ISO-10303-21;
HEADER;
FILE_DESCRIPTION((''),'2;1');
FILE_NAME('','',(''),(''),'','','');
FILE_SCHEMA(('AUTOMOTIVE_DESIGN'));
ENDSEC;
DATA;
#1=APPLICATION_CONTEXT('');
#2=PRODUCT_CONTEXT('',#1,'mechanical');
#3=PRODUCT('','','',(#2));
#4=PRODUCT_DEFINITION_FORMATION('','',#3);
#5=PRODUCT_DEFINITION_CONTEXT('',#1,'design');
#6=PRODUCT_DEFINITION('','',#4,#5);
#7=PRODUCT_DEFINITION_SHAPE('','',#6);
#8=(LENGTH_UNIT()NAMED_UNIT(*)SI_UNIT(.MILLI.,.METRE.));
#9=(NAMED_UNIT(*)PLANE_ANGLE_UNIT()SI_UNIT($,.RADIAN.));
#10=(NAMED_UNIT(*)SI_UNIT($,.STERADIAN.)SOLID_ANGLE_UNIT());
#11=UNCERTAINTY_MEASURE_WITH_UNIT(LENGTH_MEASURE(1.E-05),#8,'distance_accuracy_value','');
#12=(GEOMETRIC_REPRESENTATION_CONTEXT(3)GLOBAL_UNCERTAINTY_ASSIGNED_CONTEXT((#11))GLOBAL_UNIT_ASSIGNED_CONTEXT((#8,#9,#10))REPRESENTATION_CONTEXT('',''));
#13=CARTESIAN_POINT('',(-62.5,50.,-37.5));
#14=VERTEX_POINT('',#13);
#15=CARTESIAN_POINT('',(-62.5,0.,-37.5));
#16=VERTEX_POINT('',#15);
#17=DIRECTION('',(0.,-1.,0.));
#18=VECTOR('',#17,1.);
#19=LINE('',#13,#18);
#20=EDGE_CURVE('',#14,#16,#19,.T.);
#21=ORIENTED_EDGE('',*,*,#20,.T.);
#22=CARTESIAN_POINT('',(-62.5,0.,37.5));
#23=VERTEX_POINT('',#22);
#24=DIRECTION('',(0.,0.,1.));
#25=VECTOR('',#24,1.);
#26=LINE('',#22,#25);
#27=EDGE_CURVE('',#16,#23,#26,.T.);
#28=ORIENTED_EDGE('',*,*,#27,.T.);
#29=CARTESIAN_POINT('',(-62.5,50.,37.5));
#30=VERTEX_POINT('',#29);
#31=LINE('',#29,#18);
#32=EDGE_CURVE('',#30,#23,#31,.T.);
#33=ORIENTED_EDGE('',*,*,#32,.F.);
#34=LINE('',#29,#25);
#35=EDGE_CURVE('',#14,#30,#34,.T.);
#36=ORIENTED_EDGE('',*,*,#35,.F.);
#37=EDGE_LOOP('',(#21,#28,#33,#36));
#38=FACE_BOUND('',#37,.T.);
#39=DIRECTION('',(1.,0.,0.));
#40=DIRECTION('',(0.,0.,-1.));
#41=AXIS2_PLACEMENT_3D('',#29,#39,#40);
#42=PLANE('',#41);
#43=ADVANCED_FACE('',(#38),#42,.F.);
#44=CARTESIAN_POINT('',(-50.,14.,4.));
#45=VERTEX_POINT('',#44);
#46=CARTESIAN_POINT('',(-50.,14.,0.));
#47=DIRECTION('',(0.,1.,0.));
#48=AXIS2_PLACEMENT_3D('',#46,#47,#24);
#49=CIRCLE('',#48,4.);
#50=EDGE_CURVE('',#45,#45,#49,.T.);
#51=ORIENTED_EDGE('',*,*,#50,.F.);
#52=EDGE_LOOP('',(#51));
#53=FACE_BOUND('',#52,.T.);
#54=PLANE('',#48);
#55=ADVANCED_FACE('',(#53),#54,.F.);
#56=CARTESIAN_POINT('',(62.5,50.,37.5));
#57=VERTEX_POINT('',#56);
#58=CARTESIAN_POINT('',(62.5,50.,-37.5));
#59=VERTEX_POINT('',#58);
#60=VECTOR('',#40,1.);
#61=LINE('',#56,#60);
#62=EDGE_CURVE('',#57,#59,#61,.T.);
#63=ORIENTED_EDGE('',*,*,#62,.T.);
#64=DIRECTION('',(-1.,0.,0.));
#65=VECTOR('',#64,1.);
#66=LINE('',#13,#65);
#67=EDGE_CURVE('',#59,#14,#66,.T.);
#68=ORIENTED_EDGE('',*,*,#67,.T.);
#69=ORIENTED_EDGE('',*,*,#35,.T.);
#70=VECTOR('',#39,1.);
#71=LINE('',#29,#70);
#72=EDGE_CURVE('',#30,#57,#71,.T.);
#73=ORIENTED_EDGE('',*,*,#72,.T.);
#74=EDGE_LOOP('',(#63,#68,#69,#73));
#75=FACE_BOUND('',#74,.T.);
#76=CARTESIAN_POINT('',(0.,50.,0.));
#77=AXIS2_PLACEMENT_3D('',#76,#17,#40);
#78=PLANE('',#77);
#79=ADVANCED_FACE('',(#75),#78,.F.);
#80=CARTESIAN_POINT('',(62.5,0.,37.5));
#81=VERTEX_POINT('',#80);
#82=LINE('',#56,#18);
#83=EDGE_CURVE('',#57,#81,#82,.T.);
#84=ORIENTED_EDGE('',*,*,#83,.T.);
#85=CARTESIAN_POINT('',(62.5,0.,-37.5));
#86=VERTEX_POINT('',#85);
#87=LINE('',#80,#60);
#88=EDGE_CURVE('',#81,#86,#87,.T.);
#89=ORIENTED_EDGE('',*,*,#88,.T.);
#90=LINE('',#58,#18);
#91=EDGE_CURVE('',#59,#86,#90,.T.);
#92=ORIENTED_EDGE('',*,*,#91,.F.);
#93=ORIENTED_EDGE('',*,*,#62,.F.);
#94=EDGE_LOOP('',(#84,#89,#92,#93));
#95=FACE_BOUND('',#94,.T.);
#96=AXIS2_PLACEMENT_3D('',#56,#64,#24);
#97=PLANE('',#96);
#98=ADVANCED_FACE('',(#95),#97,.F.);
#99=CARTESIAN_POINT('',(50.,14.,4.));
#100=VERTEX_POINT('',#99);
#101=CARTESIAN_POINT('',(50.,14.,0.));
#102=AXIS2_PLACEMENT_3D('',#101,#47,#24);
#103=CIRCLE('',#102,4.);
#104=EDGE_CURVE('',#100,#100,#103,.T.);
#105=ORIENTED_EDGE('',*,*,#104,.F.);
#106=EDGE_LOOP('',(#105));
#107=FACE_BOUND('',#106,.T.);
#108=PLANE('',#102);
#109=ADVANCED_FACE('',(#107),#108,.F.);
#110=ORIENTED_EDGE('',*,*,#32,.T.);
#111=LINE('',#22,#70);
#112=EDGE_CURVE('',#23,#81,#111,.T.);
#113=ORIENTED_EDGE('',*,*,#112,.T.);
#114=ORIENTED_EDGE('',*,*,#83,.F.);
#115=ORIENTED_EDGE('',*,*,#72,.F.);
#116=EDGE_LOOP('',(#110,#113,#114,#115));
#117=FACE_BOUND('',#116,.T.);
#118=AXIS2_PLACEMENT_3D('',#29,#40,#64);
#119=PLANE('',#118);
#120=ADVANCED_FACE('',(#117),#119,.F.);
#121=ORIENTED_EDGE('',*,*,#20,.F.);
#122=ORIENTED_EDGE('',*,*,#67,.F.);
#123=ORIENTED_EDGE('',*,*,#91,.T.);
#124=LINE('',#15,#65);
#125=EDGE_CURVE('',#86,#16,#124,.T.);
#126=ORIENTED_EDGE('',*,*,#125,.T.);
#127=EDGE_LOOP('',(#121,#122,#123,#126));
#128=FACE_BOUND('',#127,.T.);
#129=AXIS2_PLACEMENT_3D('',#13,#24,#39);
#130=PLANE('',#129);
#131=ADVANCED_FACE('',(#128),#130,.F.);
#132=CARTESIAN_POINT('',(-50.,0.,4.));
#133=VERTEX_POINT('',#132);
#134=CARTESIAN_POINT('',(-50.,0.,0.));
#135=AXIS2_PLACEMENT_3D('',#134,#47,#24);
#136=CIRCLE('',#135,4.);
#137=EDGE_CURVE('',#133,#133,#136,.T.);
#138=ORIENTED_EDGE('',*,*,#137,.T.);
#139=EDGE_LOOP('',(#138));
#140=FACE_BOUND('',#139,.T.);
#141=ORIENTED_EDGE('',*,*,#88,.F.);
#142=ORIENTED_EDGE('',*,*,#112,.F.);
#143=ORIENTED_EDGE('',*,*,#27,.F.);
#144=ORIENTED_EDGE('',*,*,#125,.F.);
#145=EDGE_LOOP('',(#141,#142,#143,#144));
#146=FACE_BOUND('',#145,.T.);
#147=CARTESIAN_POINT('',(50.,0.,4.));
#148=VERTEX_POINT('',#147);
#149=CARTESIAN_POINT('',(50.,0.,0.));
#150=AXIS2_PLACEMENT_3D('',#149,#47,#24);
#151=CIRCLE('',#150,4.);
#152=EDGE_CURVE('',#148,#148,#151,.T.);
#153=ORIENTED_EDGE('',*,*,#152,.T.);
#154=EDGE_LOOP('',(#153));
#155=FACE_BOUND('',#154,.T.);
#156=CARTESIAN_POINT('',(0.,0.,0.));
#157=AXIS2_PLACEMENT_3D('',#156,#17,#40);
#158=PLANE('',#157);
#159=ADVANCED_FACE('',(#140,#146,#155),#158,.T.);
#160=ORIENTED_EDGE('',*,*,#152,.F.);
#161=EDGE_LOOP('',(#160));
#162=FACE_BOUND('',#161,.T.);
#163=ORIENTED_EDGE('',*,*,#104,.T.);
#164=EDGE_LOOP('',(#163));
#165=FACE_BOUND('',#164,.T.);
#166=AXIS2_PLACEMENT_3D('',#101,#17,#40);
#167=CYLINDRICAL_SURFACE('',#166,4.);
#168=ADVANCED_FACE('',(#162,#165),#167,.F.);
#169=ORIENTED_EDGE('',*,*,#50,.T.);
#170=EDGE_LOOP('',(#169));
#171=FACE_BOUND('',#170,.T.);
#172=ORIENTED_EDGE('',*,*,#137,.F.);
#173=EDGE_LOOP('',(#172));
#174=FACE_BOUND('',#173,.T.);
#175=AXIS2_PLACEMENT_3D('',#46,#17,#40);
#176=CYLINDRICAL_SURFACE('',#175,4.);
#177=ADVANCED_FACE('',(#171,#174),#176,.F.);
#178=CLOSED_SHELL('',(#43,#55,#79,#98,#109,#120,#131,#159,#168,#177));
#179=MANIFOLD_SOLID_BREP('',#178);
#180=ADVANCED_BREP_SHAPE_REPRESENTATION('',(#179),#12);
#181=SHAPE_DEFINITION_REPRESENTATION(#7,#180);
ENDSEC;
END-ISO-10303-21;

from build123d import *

# Parameters (mm, degrees)
CROQUIS_BASE_W             = 125
CROQUIS_BASE_H             = 75
CAJA_BAJA_DEPTH            = 50
CROQUIS_AGUJEROS_MONTAJE_R = 4
AGUJERO_INSERTO_M6_DEPTH   = 14


with BuildPart() as part:
    # Croquis_base → Caja_baja (new body)
    with BuildSketch(Plane(origin=(0, 0, 0), x_dir=(1, 0, 0), z_dir=(0, 1, 0))):
        Rectangle(CROQUIS_BASE_W, CROQUIS_BASE_H)
    extrude(amount=CAJA_BAJA_DEPTH)

    # Croquis_agujeros_montaje → Agujero_inserto_M6 (cut)
    with BuildSketch(Plane(origin=(0, 0, 0), x_dir=(1, 0, 0), z_dir=(0, 1, 0))):
        with Locations(Location((-50, 0, 0), (0, 0, 270))):
            Circle(CROQUIS_AGUJEROS_MONTAJE_R)
        with Locations(Location((50, 0, 0), (0, 0, 270))):
            Circle(CROQUIS_AGUJEROS_MONTAJE_R)
    extrude(amount=AGUJERO_INSERTO_M6_DEPTH, mode=Mode.SUBTRACT)


solid = part.part
